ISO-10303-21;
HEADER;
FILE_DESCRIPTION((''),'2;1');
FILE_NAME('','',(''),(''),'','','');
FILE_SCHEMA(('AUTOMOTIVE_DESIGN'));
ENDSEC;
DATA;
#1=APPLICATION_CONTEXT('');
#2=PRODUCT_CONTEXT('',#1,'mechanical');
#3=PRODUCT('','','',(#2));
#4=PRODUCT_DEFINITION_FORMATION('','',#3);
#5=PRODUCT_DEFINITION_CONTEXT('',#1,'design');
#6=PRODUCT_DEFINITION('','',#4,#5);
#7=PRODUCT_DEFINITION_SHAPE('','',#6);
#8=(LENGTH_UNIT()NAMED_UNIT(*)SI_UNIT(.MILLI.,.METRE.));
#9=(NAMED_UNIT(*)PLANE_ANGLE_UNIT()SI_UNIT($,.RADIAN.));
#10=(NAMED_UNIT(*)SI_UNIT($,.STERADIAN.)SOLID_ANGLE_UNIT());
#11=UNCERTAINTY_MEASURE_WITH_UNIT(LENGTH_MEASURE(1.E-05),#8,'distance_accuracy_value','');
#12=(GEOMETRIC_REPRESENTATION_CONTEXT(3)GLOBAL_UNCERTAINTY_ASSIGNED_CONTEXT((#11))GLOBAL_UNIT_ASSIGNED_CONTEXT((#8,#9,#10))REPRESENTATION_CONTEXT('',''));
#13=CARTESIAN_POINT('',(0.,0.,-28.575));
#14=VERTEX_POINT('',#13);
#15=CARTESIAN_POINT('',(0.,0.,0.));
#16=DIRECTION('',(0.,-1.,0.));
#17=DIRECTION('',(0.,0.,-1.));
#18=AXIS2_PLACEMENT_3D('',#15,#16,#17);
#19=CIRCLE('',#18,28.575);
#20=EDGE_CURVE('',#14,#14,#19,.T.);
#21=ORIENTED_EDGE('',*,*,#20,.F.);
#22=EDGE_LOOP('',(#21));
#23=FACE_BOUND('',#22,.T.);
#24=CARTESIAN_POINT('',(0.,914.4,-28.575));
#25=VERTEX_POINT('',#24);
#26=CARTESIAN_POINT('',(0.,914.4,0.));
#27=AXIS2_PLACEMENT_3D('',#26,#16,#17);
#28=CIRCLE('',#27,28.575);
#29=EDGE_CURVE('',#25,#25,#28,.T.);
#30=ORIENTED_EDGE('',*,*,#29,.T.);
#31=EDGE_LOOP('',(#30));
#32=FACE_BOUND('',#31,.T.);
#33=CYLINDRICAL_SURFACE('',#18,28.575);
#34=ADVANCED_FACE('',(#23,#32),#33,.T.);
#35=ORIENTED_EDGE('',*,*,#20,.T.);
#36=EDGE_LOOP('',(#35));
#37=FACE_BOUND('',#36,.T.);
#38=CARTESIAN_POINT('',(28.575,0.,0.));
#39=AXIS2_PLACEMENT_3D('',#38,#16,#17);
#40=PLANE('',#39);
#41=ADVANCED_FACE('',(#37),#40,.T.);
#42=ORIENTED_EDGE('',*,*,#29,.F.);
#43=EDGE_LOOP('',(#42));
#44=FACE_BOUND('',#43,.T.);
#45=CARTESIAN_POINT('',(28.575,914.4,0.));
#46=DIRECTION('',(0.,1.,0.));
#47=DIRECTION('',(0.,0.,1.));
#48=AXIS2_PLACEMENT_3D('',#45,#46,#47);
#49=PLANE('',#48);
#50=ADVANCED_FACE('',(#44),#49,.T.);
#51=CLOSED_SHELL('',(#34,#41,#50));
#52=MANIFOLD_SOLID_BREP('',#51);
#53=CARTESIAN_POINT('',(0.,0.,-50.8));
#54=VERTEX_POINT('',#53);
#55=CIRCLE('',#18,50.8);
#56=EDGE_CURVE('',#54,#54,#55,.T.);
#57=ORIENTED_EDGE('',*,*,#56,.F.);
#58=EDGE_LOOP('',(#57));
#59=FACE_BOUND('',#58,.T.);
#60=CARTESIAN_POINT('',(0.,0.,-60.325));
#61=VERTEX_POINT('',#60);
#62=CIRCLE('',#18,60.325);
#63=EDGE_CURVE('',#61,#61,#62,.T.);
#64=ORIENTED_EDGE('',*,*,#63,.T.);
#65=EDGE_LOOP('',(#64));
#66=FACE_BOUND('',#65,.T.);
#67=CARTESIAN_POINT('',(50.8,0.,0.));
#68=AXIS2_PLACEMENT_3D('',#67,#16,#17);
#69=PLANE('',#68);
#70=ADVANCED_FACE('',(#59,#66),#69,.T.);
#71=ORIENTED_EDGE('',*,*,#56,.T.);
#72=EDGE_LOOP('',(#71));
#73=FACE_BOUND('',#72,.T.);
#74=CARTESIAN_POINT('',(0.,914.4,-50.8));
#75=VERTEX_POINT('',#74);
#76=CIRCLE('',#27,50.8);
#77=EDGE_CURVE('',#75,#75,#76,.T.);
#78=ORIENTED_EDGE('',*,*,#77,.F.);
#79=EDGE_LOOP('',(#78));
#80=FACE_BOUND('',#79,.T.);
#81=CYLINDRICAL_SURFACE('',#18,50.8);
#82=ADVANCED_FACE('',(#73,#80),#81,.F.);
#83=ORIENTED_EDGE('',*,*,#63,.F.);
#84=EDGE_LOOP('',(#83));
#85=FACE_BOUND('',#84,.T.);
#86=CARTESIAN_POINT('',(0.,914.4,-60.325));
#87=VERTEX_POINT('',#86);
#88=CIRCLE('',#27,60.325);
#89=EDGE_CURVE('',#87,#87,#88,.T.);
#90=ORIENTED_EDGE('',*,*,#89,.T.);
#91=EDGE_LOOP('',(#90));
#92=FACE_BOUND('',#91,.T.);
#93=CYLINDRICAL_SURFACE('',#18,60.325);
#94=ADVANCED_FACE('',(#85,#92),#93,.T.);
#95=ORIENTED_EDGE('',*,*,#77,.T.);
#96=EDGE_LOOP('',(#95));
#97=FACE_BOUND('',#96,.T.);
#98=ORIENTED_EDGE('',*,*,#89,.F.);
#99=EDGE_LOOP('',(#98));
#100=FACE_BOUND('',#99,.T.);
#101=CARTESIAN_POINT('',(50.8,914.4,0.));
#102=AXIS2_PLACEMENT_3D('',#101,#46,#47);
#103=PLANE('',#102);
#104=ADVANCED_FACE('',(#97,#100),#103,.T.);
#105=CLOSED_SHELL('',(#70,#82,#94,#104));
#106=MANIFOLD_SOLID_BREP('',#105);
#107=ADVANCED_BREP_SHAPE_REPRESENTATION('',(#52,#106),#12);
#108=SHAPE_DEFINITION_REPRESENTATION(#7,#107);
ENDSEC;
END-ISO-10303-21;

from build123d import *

# Parameters (mm, degrees)
SKETCH1_W   = 28.575
SKETCH1_H   = 914.4
SKETCH1_W_2 = 9.525


with BuildPart() as part:
    # Sketch1 → Revolve1 (revolve)
    with BuildSketch(Plane.XY, mode=Mode.PRIVATE) as revolve1_sk:
        with Locations((14.2875, 457.2)):
            Rectangle(SKETCH1_W, SKETCH1_H)
        with Locations((55.5625, 457.2)):
            Rectangle(SKETCH1_W_2, SKETCH1_H)
    revolve(revolve1_sk.sketch.rotate(Axis((0, 0, 0), (0, -1, 0)), 270), axis=Axis((0, 0, 0), (0, -1, 0)))


solid = part.part
